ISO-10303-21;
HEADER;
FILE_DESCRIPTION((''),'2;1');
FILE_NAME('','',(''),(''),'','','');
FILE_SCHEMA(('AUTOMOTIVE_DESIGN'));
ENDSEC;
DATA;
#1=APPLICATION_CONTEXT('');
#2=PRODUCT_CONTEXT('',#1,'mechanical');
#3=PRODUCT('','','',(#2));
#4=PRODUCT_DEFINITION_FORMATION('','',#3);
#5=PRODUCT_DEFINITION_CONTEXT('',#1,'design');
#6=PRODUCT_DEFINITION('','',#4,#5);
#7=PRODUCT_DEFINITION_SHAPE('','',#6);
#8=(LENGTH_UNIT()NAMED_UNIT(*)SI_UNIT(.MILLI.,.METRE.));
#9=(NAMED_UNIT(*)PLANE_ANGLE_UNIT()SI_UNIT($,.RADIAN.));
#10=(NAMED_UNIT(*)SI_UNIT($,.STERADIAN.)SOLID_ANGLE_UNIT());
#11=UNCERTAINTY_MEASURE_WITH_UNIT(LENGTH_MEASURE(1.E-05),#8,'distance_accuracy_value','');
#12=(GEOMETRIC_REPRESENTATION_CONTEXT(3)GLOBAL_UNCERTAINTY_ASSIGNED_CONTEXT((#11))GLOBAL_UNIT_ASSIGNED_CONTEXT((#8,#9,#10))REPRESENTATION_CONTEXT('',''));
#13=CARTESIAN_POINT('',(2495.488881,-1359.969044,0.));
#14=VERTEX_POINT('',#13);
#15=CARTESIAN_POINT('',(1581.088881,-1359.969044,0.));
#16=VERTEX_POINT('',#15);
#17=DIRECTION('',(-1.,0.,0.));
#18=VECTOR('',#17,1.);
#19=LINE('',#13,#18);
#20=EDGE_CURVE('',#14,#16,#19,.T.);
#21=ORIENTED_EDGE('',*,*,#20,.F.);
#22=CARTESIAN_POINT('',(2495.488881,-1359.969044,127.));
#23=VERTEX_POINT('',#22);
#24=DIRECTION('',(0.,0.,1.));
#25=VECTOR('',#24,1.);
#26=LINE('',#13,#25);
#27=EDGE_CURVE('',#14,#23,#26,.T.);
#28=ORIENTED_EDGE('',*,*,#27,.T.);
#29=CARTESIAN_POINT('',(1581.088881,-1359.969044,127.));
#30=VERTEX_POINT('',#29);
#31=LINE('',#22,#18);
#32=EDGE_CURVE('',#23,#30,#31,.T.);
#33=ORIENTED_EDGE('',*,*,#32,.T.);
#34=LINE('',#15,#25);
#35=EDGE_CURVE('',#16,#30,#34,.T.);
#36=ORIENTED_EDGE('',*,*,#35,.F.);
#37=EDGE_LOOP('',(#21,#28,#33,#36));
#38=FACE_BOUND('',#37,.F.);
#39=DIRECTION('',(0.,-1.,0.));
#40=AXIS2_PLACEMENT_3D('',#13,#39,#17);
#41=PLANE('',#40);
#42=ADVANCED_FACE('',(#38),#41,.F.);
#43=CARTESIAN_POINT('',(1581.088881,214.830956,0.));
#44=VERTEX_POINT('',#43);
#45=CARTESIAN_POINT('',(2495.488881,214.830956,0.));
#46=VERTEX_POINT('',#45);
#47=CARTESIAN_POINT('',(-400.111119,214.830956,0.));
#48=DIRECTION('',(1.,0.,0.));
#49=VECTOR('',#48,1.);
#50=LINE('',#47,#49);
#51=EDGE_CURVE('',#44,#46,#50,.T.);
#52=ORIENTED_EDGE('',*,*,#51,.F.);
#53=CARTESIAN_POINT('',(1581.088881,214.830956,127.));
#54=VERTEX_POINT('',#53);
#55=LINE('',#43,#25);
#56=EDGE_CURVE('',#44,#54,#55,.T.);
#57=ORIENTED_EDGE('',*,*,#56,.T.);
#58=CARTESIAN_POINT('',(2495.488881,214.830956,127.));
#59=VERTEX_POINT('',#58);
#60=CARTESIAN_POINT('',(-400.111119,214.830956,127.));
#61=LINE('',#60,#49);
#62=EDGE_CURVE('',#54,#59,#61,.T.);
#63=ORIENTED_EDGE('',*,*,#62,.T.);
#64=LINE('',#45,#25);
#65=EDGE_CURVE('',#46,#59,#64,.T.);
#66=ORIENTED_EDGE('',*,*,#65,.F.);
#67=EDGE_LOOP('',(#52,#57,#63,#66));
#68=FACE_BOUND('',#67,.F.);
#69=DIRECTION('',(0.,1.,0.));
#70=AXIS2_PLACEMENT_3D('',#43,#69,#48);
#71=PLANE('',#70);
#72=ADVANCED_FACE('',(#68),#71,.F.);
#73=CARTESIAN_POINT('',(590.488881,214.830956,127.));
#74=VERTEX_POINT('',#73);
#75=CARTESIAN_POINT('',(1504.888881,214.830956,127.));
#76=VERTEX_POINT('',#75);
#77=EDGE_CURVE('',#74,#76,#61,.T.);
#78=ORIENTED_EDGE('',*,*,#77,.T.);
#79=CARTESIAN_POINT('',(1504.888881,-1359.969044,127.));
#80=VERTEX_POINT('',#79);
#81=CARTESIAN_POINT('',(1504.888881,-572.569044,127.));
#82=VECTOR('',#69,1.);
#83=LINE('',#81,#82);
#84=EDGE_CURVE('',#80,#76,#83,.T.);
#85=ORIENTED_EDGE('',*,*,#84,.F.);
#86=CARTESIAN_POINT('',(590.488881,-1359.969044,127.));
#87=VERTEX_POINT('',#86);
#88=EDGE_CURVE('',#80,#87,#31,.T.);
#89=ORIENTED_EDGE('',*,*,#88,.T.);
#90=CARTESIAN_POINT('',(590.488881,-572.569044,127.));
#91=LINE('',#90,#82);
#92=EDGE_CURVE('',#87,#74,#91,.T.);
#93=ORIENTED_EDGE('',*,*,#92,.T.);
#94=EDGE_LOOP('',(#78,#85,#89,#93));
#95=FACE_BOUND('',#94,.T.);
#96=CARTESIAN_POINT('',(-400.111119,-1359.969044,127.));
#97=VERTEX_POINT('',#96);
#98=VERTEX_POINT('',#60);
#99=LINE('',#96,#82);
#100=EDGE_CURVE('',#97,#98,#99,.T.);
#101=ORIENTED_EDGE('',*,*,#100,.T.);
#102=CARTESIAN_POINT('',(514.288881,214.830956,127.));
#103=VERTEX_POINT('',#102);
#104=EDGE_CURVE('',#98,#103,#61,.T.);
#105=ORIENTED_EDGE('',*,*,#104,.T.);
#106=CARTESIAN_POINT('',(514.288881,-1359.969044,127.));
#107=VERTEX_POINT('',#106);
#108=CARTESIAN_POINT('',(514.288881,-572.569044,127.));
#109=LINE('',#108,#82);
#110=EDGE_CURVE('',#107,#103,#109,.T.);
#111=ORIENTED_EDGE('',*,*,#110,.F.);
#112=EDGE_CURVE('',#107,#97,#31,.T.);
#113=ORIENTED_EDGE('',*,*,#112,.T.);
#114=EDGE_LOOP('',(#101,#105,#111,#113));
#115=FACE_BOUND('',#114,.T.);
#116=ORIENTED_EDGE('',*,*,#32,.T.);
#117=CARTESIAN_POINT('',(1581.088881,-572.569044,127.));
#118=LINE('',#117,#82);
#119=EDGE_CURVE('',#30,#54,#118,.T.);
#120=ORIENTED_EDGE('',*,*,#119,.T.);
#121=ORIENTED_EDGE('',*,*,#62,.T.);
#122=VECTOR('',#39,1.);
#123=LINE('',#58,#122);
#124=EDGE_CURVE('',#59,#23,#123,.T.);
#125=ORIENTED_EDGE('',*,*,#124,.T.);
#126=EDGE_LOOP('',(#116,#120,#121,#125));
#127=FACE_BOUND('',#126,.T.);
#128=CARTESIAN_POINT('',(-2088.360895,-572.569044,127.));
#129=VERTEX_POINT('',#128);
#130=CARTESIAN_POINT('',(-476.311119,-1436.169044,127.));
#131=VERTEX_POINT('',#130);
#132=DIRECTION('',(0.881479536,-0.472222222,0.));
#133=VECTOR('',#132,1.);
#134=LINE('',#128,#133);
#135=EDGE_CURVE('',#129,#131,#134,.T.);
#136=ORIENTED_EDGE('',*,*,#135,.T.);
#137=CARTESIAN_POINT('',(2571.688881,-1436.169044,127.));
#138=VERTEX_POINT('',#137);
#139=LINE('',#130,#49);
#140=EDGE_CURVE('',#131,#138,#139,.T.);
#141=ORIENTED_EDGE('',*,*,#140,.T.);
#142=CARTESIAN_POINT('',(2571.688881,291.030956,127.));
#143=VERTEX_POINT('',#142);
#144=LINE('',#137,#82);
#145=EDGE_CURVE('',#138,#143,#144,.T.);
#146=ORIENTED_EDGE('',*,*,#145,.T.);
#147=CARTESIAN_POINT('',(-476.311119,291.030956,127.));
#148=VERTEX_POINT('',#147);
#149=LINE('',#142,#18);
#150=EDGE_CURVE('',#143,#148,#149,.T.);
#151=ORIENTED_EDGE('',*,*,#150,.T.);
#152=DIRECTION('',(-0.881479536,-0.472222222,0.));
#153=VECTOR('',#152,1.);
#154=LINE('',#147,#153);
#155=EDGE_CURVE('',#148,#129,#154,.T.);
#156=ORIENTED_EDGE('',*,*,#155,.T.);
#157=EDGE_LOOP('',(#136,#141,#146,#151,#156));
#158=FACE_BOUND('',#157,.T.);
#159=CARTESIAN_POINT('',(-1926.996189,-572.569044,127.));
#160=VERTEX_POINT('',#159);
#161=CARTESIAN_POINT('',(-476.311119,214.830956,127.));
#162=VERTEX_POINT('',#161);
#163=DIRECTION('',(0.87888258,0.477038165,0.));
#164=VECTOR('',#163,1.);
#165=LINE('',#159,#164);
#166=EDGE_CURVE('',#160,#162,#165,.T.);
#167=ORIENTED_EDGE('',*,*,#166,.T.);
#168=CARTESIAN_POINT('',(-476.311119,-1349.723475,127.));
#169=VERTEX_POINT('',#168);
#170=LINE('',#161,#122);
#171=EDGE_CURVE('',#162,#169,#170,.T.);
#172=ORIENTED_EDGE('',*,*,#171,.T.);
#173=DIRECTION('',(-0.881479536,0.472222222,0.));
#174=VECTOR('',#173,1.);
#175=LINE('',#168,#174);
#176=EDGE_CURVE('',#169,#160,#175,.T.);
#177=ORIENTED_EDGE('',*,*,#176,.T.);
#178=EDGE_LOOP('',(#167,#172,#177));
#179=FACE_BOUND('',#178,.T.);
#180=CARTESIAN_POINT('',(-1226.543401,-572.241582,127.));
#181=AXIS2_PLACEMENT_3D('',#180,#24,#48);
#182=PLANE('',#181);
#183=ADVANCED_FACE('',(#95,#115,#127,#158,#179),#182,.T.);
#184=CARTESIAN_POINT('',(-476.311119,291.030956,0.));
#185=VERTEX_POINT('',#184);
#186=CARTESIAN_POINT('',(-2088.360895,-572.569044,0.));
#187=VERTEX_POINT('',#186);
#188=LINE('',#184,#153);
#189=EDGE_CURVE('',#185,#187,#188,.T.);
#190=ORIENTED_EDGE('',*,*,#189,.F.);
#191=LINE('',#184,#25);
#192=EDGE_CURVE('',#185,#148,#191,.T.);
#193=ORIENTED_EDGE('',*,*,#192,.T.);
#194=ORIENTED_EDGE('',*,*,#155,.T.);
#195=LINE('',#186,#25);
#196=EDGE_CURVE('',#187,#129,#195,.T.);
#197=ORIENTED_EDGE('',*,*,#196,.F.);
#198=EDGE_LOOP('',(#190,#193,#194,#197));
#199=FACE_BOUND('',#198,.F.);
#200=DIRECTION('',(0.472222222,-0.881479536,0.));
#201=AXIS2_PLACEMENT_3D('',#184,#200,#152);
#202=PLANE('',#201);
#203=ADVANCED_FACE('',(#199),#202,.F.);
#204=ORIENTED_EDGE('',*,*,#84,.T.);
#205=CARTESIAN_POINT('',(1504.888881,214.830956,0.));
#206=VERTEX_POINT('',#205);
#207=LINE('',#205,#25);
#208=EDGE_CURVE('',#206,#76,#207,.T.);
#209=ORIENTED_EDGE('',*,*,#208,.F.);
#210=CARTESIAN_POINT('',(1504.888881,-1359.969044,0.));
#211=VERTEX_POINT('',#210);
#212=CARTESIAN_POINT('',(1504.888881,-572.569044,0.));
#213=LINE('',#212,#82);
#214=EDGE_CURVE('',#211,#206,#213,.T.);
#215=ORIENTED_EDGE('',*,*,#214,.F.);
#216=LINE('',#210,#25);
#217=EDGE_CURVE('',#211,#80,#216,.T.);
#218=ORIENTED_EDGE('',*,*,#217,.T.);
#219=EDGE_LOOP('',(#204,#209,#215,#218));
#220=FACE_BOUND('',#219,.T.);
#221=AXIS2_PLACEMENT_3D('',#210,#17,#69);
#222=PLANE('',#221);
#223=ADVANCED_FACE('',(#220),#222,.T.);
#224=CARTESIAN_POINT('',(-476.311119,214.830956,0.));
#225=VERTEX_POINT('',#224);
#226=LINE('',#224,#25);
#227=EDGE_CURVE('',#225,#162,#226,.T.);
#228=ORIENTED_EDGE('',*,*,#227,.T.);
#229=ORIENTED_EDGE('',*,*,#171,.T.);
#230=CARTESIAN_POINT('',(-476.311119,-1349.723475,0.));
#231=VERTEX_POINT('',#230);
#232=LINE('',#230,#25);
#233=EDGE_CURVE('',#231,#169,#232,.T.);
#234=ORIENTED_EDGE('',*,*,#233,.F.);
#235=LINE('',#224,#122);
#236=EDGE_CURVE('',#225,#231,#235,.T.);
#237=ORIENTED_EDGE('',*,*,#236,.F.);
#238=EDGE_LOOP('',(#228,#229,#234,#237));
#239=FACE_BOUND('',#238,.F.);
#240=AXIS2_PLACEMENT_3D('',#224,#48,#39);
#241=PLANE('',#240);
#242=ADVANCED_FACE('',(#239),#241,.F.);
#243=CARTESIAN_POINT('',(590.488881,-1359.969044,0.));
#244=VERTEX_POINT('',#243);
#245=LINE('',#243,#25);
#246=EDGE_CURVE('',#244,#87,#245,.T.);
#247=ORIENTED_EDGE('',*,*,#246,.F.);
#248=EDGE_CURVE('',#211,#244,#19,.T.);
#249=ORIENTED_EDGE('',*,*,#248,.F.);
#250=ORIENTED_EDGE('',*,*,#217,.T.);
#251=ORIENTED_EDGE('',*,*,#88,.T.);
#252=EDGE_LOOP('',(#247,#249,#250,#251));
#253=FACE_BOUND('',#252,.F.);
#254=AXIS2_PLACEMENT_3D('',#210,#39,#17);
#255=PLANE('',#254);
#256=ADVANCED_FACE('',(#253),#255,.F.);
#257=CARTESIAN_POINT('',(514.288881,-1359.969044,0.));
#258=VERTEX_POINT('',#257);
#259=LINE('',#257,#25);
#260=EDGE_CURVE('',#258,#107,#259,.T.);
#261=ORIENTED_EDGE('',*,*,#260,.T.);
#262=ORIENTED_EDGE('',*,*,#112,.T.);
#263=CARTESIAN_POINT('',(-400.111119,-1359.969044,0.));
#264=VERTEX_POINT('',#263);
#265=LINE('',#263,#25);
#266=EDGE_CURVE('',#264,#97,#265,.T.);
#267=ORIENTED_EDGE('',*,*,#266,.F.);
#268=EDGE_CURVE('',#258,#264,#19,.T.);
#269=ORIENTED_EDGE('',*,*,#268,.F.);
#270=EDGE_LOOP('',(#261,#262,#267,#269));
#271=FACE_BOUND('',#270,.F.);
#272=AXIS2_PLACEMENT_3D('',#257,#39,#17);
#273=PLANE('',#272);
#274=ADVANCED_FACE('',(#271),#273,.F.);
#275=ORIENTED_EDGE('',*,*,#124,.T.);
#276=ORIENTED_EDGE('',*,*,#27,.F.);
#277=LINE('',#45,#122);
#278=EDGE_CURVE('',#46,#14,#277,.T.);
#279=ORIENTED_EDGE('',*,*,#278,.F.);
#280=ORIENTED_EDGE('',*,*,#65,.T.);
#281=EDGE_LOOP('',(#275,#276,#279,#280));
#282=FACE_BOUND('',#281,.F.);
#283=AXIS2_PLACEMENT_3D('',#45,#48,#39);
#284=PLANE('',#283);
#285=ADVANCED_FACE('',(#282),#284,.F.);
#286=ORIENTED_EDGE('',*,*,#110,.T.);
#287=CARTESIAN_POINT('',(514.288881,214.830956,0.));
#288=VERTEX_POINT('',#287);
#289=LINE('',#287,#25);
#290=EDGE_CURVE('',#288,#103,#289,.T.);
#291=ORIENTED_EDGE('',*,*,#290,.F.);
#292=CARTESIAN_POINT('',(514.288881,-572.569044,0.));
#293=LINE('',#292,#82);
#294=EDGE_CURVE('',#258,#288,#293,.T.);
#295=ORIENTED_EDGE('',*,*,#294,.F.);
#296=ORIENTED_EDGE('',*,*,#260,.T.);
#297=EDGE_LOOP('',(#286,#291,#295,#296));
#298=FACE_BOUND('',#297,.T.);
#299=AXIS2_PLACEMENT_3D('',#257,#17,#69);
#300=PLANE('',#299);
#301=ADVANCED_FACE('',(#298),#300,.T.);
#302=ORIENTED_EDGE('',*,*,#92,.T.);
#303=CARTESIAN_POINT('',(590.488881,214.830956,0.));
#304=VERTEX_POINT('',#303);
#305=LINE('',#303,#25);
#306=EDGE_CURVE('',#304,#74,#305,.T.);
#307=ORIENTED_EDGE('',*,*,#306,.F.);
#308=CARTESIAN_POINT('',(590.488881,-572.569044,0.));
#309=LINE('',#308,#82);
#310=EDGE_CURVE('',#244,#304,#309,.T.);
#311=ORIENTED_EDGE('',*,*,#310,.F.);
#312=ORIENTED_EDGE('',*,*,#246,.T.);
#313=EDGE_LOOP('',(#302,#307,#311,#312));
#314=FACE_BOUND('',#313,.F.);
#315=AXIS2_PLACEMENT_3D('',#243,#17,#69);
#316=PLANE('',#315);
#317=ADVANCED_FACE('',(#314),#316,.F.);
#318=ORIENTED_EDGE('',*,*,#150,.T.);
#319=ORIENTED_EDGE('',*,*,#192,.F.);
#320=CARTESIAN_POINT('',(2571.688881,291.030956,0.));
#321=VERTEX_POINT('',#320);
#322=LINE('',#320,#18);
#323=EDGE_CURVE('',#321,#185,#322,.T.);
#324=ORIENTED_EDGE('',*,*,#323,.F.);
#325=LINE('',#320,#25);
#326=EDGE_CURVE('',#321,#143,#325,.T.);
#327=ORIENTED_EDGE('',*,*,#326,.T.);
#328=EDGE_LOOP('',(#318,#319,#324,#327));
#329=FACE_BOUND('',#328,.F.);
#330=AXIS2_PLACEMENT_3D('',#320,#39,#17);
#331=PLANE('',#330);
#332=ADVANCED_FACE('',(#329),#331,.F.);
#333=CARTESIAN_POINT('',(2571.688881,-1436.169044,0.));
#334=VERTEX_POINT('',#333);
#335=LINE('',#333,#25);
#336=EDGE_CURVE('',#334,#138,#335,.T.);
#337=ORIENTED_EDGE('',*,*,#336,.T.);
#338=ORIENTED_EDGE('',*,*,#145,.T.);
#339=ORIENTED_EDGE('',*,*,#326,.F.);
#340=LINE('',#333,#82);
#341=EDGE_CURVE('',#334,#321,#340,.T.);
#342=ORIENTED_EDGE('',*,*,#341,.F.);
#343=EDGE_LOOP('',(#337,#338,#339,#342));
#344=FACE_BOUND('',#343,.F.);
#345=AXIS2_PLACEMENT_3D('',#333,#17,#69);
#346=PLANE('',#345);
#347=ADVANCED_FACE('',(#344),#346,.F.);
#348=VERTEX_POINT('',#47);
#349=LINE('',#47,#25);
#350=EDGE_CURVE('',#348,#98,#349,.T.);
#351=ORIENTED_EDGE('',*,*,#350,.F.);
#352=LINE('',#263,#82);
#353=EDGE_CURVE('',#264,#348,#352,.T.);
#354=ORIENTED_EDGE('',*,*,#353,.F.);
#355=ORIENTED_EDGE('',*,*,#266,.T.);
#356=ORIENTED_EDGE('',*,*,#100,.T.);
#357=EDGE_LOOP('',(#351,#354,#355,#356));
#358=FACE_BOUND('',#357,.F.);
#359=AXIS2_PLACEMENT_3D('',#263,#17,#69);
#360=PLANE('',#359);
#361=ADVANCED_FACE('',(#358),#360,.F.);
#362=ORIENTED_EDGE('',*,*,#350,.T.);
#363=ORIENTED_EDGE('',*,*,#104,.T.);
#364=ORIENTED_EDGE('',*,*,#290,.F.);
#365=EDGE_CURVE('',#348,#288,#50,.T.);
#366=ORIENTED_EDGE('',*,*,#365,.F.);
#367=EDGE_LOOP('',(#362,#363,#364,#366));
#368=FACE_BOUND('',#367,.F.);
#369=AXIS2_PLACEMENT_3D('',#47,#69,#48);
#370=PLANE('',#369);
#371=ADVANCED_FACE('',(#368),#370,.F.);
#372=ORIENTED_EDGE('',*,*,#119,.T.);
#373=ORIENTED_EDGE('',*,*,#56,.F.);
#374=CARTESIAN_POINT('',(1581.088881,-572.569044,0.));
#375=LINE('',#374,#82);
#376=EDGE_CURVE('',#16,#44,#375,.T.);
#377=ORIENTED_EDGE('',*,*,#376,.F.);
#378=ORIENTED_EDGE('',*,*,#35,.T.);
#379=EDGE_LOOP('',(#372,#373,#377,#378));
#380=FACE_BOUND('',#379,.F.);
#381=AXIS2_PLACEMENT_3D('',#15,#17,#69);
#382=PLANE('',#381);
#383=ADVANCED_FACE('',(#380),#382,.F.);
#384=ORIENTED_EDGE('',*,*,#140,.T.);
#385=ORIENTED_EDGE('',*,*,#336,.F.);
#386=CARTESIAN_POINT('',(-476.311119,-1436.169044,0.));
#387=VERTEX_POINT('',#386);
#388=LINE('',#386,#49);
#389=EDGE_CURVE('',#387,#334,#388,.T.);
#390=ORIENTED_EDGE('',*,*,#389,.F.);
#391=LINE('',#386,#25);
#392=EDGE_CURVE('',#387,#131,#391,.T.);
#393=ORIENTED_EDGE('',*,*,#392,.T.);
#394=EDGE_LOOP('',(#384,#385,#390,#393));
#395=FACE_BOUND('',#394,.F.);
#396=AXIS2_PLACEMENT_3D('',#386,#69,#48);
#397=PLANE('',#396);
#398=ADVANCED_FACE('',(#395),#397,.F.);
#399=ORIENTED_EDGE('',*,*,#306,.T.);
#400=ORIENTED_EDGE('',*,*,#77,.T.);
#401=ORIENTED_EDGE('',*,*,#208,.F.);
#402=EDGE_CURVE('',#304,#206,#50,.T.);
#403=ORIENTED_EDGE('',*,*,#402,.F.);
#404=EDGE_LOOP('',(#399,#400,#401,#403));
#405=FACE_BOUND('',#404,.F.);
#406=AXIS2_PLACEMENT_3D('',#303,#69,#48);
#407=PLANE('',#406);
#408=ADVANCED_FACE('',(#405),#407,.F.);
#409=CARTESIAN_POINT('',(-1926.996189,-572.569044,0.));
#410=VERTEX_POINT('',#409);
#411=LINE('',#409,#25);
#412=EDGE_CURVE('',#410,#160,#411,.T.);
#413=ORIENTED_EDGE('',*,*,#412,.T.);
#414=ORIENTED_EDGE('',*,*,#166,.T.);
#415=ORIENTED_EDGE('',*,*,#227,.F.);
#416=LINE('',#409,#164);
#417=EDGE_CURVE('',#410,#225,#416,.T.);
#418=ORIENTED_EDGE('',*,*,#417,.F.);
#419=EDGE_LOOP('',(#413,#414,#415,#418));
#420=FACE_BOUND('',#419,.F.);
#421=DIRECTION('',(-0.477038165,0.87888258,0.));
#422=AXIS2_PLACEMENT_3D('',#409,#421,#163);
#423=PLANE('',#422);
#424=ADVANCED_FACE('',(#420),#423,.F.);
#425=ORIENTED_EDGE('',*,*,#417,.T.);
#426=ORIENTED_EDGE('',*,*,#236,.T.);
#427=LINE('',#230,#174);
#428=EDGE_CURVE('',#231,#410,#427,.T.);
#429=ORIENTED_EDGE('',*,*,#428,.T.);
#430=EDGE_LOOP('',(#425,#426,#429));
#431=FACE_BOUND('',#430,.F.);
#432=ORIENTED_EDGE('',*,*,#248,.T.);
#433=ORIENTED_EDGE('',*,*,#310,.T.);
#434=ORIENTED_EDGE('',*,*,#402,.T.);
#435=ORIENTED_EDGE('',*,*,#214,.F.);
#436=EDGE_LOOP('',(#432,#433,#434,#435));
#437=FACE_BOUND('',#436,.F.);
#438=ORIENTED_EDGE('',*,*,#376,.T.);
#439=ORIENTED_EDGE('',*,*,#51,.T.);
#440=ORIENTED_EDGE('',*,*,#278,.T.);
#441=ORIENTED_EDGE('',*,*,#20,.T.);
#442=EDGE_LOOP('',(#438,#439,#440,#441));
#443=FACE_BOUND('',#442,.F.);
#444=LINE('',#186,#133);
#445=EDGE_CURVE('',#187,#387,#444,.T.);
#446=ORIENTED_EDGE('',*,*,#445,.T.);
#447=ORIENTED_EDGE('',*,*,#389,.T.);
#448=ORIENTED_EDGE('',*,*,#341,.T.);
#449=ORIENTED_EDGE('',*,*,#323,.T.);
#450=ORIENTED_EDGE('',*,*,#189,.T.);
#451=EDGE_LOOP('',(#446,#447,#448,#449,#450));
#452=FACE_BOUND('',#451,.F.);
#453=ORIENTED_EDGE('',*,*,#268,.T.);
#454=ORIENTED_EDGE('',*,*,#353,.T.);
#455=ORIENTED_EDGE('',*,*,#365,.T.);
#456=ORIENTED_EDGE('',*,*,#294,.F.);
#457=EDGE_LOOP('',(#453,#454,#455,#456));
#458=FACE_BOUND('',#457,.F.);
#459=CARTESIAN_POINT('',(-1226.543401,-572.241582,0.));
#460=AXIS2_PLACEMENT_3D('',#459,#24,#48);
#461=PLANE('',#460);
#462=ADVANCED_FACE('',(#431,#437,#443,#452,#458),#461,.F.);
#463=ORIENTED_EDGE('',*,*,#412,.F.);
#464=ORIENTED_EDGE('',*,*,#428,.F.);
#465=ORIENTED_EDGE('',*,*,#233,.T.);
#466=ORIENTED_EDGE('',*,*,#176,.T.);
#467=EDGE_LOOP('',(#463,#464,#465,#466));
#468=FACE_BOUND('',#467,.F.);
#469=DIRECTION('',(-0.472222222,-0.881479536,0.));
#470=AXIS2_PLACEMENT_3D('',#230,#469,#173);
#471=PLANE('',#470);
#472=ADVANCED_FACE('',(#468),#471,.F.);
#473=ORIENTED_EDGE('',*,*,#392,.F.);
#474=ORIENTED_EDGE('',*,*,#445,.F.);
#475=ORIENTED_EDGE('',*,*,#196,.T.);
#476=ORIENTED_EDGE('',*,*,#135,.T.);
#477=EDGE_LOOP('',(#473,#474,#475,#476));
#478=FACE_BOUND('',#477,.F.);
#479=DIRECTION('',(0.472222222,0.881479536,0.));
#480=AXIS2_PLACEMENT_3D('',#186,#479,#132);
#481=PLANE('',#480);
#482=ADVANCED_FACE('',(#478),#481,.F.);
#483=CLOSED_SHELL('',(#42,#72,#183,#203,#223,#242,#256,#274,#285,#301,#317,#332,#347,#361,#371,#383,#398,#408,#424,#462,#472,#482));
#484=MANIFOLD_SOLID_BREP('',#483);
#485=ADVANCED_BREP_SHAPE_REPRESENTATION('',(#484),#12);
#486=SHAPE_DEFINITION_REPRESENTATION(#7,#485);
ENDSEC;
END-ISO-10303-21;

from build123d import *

# Parameters (mm, degrees)
F0_W     = 76.2
F0_H     = 1574.8
F1_DEPTH = 127


with BuildPart() as f1:
    # F0 (on Top) → F1 (new body)
    with BuildSketch(Plane.XY):
        Polygon((-476.311119, 214.830956), (-476.311119, 291.030956), (-2088.360895, -572.569044), (-476.311119, -1436.169044), (-476.311119, -1349.723475), (-1926.996189, -572.569044), align=None)
        Polygon((2571.688881, 291.030956), (-476.311119, 291.030956), (-476.311119, 214.830956), (-476.311119, -1349.723475), (-476.311119, -1436.169044), (2571.688881, -1436.169044), align=None)
        Polygon((-400.111119, -1359.969044), (-400.111119, 214.830956), (514.288881, 214.830956), (590.488881, 214.830956), (1504.888881, 214.830956), (1581.088881, 214.830956), (2495.488881, 214.830956), (2495.488881, -1359.969044), (1581.088881, -1359.969044), (1504.888881, -1359.969044), (590.488881, -1359.969044), (514.288881, -1359.969044), align=None, mode=Mode.SUBTRACT)
        with Locations((552.388881, -572.569044)):
            Rectangle(F0_W, F0_H)
        with Locations((1542.988881, -572.569044)):
            Rectangle(F0_W, F0_H)
    extrude(amount=F1_DEPTH)


solid = f1.part
